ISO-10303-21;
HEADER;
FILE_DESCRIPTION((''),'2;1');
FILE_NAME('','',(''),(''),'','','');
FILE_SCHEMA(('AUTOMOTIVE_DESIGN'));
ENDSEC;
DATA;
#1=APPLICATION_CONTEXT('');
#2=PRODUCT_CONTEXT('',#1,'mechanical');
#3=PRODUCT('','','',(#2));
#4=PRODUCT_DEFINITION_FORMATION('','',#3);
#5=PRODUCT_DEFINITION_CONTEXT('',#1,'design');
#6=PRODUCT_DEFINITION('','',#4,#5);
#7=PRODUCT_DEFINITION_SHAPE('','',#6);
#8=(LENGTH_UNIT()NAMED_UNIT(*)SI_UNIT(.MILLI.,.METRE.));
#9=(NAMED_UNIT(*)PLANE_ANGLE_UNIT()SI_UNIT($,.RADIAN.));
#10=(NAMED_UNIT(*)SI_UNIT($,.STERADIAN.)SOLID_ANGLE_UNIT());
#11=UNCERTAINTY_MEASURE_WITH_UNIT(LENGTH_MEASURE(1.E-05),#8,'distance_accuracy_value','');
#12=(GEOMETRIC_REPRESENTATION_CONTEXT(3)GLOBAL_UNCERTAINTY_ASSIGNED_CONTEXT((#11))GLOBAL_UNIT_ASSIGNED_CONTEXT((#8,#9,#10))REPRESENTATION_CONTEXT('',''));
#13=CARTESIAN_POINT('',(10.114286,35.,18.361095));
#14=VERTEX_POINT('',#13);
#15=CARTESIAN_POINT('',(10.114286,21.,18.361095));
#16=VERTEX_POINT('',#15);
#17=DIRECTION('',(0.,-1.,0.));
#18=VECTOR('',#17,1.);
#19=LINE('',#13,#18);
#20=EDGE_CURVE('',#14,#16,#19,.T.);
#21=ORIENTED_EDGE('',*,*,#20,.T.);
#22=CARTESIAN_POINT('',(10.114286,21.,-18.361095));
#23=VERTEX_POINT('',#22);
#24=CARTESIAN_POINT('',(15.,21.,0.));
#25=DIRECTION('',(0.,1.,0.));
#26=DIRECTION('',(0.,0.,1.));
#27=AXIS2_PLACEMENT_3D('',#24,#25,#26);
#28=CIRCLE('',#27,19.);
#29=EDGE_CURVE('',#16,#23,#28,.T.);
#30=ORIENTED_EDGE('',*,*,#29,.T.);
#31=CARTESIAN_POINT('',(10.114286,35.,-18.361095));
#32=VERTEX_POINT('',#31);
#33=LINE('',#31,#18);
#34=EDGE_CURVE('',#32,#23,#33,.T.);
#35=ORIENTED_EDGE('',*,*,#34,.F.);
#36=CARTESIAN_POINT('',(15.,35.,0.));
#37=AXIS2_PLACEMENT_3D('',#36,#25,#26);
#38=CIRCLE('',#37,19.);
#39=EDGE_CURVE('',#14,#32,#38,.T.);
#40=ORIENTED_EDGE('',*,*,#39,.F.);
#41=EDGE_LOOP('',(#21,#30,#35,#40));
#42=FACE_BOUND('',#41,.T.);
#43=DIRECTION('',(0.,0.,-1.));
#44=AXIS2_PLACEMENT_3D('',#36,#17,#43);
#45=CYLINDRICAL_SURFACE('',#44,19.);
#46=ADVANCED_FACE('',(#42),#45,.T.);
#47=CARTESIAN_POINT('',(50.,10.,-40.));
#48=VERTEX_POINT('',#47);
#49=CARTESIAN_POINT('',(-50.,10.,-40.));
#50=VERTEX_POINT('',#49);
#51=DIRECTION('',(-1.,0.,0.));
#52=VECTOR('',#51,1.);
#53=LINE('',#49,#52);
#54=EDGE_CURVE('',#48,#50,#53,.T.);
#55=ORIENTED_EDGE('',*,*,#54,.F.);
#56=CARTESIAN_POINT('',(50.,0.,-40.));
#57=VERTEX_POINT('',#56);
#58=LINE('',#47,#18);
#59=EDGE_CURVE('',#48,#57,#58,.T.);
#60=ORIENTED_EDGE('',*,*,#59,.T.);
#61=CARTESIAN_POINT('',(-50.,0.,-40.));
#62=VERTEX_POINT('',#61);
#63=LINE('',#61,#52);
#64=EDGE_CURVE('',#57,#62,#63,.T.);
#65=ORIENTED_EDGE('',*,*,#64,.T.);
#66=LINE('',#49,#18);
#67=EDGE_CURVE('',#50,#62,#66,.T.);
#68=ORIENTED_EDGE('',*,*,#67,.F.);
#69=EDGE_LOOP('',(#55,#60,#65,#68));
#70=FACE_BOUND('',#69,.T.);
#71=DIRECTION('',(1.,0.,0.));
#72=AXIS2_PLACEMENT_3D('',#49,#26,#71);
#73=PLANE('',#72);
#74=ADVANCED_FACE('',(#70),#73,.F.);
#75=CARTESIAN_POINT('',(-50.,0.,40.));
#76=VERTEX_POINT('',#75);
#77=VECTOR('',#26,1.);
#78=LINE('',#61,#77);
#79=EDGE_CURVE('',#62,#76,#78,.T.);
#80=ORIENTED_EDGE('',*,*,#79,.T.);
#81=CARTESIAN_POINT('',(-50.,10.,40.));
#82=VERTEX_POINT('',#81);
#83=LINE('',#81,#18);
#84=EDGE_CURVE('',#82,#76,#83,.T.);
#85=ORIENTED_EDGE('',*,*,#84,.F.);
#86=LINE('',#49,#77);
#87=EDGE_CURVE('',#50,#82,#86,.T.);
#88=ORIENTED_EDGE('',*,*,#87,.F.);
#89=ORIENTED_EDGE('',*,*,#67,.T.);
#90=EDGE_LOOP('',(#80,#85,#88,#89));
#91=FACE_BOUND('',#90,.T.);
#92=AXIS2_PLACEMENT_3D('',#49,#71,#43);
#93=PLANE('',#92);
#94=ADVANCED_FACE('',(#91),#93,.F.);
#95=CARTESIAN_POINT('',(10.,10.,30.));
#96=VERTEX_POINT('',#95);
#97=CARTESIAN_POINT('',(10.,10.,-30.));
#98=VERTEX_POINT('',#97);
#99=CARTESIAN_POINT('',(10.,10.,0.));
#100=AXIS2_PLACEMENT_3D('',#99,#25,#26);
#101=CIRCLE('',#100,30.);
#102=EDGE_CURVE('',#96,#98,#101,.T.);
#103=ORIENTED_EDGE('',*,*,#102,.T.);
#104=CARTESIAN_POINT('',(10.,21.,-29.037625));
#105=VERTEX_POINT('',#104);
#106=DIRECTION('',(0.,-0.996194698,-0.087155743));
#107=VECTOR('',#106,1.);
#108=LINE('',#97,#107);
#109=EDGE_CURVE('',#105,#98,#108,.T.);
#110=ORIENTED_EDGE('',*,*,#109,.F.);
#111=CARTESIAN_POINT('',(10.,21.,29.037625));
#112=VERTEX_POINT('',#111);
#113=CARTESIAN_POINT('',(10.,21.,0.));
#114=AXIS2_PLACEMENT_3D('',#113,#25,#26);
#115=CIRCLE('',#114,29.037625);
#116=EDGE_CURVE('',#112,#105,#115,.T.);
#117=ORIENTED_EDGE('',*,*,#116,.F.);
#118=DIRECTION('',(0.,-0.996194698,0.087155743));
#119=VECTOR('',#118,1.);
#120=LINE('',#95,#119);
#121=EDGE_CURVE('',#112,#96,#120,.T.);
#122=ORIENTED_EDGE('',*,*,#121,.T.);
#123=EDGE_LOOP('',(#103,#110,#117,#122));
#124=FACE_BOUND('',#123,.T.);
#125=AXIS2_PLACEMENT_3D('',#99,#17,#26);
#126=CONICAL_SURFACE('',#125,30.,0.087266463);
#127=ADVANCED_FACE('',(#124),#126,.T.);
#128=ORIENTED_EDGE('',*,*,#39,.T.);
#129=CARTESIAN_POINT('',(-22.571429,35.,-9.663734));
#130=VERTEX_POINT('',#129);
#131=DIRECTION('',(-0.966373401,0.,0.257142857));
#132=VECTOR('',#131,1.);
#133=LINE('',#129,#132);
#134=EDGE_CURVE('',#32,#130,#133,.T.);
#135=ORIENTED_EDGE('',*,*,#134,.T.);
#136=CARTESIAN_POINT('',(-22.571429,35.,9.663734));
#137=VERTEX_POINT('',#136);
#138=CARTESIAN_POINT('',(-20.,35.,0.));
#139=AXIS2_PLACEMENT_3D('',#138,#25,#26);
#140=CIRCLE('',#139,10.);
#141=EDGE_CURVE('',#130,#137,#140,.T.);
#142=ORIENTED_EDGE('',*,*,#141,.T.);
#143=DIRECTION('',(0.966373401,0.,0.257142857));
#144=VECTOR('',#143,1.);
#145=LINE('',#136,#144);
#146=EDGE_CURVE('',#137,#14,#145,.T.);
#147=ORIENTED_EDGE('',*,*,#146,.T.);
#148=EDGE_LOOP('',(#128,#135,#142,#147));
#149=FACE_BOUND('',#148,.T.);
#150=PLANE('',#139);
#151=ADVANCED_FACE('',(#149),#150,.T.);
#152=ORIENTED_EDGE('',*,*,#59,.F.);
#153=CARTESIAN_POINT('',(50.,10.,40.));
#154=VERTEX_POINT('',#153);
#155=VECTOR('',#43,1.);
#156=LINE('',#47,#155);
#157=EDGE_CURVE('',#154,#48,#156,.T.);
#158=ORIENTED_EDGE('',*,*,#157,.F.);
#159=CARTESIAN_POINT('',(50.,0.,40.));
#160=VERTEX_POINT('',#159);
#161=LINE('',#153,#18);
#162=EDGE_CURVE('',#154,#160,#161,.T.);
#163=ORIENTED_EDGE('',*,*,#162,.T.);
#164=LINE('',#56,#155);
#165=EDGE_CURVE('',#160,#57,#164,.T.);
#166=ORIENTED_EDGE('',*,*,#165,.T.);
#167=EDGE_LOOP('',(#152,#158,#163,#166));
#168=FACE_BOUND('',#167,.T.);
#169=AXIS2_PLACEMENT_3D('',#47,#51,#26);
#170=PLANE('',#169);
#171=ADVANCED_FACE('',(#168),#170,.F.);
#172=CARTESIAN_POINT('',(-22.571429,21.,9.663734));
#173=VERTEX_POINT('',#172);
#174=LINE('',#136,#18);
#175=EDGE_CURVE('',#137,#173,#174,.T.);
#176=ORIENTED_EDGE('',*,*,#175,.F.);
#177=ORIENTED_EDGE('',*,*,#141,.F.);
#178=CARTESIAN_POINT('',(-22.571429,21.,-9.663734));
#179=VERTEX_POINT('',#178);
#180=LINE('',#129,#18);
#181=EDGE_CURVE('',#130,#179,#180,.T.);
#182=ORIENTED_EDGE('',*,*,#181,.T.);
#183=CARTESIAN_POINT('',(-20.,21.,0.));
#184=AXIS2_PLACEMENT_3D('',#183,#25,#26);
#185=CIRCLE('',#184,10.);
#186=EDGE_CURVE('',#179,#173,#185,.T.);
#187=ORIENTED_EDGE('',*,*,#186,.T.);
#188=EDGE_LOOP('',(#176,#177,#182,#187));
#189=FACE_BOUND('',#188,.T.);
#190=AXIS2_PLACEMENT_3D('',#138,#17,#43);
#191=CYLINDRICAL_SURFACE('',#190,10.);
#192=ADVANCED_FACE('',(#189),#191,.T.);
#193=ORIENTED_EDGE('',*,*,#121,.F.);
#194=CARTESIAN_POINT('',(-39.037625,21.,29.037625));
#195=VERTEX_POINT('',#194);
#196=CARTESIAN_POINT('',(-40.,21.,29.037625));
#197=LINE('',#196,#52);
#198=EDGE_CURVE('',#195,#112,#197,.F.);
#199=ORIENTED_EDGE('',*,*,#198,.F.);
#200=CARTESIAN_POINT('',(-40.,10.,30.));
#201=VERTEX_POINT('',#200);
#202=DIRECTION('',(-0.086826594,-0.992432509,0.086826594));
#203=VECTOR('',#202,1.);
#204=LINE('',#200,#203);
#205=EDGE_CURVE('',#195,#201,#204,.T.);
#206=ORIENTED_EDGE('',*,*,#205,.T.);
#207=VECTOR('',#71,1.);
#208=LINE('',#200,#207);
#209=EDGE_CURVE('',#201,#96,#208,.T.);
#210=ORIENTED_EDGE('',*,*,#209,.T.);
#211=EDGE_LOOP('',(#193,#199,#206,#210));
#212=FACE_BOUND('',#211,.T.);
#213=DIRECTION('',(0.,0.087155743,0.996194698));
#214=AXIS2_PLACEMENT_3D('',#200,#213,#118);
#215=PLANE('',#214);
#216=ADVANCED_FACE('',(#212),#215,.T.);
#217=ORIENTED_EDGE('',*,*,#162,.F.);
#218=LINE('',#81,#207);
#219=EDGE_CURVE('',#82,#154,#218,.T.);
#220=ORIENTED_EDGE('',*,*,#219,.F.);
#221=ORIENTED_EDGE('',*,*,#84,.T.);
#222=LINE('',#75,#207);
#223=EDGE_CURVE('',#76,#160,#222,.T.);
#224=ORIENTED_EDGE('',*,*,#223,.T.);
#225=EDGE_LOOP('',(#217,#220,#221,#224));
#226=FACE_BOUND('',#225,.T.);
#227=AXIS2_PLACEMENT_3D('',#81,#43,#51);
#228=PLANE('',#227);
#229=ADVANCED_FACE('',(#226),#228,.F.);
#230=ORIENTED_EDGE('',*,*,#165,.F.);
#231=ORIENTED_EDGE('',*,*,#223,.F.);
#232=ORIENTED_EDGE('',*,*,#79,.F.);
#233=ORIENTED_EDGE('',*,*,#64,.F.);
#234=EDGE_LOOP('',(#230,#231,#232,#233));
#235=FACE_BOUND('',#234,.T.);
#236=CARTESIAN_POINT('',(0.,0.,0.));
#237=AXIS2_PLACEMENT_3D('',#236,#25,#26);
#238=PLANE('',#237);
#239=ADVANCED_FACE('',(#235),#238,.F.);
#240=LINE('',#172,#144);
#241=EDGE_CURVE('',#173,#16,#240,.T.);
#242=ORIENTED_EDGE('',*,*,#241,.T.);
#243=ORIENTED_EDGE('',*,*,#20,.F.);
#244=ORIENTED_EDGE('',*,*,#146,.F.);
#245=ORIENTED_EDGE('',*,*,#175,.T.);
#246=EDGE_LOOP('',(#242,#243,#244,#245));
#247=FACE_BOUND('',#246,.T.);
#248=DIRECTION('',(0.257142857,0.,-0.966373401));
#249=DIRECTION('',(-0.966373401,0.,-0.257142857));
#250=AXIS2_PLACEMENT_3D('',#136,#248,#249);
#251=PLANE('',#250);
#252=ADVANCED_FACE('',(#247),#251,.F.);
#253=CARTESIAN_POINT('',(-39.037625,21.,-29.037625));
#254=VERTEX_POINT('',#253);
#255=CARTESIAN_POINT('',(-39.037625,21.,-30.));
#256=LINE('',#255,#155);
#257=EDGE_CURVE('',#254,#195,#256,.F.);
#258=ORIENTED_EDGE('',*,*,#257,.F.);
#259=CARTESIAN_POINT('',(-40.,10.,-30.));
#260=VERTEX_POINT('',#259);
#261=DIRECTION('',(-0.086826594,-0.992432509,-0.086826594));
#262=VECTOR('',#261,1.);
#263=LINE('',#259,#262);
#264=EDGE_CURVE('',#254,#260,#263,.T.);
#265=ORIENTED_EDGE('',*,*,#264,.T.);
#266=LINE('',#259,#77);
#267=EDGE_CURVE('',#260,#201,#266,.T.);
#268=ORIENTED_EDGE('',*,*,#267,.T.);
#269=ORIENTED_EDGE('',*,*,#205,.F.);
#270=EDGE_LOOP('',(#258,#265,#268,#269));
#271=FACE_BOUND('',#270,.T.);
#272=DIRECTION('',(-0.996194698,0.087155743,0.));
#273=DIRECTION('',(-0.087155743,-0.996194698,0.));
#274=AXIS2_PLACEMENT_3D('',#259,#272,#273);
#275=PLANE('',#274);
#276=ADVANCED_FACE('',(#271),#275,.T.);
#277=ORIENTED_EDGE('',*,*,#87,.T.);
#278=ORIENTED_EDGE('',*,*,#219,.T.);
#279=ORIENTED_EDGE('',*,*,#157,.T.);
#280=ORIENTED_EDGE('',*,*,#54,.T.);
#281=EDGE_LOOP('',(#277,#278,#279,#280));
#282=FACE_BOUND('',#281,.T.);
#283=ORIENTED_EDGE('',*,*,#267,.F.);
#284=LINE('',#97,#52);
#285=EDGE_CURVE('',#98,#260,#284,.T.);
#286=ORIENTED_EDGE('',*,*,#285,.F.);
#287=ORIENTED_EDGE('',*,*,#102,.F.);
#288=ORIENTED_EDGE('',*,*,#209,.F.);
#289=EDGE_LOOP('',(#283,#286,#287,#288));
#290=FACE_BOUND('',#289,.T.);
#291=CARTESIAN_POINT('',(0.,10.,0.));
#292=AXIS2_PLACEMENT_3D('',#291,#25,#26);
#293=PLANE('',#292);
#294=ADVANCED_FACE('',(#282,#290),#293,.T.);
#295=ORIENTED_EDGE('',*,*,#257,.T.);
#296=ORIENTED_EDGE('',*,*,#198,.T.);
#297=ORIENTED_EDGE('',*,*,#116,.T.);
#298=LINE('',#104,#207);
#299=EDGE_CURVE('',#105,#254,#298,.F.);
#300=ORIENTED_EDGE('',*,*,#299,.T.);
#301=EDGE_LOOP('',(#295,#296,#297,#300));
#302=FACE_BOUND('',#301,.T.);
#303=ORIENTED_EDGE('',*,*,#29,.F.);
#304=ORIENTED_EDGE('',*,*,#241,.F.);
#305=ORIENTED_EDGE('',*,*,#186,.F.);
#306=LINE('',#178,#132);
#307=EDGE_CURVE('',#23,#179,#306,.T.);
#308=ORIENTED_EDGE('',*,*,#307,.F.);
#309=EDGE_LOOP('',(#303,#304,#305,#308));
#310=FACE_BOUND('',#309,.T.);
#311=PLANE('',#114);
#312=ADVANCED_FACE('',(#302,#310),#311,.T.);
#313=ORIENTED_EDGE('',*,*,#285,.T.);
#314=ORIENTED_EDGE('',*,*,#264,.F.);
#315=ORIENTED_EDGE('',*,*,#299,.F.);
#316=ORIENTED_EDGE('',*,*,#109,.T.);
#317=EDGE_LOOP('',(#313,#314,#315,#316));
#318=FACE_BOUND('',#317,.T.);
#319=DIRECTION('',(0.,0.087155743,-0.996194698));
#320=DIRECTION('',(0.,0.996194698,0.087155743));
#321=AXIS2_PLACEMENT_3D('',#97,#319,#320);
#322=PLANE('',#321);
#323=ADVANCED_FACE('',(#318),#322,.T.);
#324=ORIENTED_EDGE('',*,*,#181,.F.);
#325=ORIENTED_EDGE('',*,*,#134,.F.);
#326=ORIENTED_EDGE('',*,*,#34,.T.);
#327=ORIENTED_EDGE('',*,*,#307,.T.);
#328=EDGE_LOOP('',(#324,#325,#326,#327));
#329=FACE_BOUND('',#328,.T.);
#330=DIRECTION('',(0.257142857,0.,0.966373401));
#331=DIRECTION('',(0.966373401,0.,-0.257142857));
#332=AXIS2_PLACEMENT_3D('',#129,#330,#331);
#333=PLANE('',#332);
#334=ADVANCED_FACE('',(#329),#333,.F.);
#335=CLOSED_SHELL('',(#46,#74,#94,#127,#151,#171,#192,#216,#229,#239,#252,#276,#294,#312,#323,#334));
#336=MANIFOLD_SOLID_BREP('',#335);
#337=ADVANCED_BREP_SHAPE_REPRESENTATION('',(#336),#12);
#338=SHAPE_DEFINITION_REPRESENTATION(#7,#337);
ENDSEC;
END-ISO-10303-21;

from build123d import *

# Parameters (mm, degrees)
SKETCH_1_W      = 100
SKETCH_1_H      = 80
EXTRUDE_1_DEPTH = 10
EXTRUDE_2_DEPTH = 11
EXTRUDE_2_TAPER = 5
EXTRUDE_3_DEPTH = 14


with BuildPart() as part:
    # 스케치1 → 보스-돌출1 (new body)
    with BuildSketch(Plane(origin=(0, 0, 0), x_dir=(1, 0, 0), z_dir=(0, 1, 0))):
        Rectangle(SKETCH_1_W, SKETCH_1_H)
    extrude(amount=EXTRUDE_1_DEPTH)

    # 스케치2 → 보스-돌출2 (add)
    with BuildSketch(Plane(origin=(0, 10, 0), x_dir=(1, 0, 0), z_dir=(0, 1, 0))):
        with BuildLine():
            Line((10, 30), (-40, 30))
            Line((-40, 30), (-40, -30))
            Line((-40, -30), (10, -30))
            ThreePointArc((10, -30), (40, 0), (10, 30))
        make_face()
    extrude(amount=EXTRUDE_2_DEPTH, taper=EXTRUDE_2_TAPER)

    # 스케치3 → 보스-돌출3 (add)
    with BuildSketch(Plane(origin=(0, 21, 0), x_dir=(1, 0, 0), z_dir=(0, 1, 0))):
        with BuildLine():
            Line((-22.571428571, 9.663734014), (10.114285714, 18.361094627))
            ThreePointArc((10.114285714, 18.361094627), (34, 0), (10.114285714, -18.361094627))
            Line((10.114285714, -18.361094627), (-22.571428571, -9.663734014))
            ThreePointArc((-22.571428571, -9.663734014), (-30, 0), (-22.571428571, 9.663734014))
        make_face()
    extrude(amount=EXTRUDE_3_DEPTH)


solid = part.part
